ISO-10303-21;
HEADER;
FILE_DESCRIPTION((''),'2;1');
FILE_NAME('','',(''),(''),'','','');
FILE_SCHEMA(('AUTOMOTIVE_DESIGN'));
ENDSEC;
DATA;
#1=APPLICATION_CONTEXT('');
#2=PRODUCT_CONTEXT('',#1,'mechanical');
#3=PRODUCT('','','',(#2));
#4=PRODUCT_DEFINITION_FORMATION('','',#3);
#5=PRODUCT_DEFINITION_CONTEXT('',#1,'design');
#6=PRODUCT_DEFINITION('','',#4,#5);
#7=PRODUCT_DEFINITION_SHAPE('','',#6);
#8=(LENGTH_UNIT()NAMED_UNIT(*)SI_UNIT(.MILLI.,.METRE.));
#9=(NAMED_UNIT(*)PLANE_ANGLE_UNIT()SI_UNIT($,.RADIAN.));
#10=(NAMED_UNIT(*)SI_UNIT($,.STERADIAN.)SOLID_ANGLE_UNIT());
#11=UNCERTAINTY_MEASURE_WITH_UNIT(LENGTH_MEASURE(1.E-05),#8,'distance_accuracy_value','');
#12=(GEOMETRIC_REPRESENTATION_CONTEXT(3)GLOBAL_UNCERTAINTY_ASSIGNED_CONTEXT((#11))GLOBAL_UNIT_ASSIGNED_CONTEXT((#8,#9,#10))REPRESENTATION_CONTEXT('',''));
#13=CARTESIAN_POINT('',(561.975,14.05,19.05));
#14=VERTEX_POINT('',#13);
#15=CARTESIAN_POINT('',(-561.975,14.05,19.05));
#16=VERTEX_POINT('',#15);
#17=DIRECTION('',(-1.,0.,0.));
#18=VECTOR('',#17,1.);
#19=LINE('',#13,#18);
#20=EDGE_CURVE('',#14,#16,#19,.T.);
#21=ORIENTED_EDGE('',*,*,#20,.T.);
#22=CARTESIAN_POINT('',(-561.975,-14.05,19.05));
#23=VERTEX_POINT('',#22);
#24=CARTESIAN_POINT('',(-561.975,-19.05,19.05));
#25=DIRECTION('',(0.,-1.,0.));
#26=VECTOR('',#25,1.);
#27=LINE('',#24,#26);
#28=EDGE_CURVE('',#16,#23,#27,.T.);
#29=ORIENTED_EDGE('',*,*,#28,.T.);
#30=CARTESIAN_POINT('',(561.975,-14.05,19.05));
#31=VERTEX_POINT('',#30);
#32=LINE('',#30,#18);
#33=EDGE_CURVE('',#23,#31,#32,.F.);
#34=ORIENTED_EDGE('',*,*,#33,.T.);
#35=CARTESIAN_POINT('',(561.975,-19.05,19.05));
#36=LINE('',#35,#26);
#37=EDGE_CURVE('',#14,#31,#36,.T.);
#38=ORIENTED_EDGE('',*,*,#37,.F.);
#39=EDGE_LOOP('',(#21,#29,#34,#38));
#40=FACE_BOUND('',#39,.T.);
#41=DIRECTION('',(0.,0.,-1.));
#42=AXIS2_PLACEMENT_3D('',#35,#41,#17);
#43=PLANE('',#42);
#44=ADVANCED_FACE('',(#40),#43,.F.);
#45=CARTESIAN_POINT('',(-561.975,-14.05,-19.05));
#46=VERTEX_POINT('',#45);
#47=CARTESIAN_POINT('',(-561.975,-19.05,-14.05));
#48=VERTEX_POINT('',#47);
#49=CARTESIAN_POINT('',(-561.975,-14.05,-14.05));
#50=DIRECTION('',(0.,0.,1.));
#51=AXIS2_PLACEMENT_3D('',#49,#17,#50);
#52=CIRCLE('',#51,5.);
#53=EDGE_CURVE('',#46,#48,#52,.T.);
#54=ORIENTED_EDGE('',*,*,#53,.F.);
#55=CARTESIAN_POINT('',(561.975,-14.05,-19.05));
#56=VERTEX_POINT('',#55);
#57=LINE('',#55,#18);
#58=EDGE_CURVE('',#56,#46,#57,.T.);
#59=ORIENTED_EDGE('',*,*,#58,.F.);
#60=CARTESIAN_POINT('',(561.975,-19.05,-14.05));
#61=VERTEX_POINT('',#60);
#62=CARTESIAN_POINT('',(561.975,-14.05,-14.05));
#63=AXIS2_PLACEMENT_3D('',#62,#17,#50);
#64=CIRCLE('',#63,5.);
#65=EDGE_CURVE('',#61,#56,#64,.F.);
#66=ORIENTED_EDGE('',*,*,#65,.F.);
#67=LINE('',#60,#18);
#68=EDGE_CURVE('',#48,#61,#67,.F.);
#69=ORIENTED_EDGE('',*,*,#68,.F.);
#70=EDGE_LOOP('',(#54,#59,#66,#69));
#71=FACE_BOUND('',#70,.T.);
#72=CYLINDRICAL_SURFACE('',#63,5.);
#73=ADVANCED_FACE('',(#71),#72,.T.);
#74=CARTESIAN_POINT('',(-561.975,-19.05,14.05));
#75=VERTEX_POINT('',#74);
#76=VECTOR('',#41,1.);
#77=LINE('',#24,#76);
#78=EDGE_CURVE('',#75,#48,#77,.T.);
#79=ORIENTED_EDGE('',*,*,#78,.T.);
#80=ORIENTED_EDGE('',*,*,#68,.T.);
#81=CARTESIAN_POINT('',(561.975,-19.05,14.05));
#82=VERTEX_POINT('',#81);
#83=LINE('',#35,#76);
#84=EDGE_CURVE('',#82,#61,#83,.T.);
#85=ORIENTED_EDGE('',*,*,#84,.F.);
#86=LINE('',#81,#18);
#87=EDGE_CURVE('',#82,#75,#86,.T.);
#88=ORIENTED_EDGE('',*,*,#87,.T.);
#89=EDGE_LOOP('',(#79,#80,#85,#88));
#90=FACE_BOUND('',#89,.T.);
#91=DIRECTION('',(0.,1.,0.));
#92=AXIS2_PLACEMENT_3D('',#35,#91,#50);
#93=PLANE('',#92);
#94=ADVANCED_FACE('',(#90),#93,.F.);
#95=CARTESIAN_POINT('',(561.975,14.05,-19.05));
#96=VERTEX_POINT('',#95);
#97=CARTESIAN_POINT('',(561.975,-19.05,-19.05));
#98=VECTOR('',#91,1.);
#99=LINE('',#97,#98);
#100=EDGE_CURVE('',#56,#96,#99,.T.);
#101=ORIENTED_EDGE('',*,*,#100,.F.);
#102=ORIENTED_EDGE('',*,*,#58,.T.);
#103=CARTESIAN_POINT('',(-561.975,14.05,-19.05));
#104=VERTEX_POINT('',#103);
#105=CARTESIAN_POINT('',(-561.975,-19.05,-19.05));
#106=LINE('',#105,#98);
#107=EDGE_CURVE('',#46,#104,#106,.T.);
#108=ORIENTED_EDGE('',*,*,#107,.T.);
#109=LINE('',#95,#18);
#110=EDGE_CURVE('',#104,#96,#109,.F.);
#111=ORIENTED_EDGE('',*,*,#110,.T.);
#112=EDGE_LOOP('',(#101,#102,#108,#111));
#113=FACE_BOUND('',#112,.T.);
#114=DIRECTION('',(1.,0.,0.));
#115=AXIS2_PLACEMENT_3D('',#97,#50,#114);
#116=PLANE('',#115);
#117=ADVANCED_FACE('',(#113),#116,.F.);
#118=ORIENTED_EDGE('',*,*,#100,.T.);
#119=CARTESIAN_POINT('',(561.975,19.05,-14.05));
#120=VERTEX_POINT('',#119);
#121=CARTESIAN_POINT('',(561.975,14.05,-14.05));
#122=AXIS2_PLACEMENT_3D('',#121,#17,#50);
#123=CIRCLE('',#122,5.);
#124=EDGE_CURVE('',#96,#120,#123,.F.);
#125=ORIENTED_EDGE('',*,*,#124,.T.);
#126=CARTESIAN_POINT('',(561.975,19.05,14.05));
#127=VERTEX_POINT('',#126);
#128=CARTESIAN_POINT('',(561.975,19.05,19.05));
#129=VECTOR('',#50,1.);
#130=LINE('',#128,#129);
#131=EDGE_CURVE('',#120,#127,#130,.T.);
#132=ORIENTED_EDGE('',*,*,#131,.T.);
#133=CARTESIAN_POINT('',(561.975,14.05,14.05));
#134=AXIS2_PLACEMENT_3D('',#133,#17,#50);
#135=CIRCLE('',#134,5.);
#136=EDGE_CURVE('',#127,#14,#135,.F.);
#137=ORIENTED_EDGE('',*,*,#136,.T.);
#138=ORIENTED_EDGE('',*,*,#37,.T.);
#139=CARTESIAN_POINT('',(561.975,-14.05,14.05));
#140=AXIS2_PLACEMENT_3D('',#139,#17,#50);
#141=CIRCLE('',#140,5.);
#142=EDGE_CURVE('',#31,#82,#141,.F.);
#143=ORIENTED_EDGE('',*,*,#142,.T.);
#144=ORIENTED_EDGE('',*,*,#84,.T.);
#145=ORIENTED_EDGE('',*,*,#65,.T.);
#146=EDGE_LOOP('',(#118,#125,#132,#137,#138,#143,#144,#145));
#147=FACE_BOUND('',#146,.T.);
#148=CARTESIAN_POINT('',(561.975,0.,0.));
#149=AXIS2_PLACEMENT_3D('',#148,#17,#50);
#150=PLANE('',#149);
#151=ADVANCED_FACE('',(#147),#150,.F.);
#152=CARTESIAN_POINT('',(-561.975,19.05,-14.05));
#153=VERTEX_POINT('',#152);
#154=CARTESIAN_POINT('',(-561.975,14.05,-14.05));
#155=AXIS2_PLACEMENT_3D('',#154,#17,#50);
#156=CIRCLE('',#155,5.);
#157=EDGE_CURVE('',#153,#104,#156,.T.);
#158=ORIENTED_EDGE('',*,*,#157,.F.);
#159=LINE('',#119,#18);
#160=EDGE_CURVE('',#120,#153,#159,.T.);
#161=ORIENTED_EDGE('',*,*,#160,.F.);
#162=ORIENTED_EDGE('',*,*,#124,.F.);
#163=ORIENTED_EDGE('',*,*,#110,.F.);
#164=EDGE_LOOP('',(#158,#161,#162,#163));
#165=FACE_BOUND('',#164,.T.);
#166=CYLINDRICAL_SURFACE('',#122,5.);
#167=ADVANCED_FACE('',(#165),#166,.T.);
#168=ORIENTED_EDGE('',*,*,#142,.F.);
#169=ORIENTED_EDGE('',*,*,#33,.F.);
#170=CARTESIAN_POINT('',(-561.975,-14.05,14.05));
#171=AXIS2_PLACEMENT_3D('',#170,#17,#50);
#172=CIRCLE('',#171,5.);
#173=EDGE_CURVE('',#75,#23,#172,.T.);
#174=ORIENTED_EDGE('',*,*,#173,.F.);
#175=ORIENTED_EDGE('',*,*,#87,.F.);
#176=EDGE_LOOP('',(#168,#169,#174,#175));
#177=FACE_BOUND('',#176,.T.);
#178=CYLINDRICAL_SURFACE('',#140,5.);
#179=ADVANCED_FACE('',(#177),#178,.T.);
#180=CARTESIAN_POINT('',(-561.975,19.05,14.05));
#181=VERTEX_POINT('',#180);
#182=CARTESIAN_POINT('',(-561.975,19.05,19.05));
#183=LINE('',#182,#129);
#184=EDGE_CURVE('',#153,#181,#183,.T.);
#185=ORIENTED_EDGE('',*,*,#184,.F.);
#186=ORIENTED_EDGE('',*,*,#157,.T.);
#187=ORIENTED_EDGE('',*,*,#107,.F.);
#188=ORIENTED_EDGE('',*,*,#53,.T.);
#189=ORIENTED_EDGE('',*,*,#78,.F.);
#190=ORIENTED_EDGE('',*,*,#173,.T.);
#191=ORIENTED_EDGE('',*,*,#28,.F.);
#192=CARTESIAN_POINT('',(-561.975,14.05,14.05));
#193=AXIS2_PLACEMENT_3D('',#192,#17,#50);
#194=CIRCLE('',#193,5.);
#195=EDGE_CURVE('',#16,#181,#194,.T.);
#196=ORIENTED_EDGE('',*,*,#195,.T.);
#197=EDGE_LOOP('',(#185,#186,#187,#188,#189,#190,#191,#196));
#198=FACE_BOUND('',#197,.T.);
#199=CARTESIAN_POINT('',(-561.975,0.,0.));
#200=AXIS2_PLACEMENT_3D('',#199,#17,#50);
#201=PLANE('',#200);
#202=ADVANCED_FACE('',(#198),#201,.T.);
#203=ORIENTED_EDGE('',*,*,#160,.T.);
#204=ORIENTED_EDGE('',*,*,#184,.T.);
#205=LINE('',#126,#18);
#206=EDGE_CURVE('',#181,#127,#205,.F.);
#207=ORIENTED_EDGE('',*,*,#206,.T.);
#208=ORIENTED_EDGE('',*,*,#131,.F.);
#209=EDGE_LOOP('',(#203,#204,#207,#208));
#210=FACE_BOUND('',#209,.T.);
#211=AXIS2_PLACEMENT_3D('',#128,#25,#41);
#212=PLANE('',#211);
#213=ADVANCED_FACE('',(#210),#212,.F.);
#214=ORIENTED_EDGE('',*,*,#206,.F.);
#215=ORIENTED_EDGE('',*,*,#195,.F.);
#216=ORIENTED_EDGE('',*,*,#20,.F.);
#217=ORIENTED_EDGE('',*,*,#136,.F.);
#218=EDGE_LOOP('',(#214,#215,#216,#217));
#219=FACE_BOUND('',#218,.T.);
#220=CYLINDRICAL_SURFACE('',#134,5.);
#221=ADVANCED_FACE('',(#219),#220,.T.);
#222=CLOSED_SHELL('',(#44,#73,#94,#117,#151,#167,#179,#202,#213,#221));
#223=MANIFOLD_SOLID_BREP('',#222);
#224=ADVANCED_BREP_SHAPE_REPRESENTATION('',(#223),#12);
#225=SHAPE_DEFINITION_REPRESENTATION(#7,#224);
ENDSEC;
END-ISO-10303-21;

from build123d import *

# Parameters (mm, degrees)
SKETCH1_W           = 38.1
SKETCH1_H           = 38.1
BOSS_EXTRUDE1_DEPTH = 561.975
FILLET1_R           = 5


with BuildPart() as part:
    # Sketch1 → Boss-Extrude1 (new, symmetric)
    with BuildSketch(Plane(origin=(0, 0, 0), x_dir=(0, 0, -1), z_dir=(1, 0, 0))):
        Rectangle(SKETCH1_W, SKETCH1_H)
    extrude(amount=BOSS_EXTRUDE1_DEPTH, both=True)

    # Fillet1
    fillet1_edges = [part.edges().sort_by_distance(p)[0] for p in [
        (0, -19.05, -19.05),
        (0, -19.05, 19.05),
        (0, 19.05, 19.05),
        (0, 19.05, -19.05),
    ]]
    fillet(fillet1_edges, radius=FILLET1_R)


solid = part.part
